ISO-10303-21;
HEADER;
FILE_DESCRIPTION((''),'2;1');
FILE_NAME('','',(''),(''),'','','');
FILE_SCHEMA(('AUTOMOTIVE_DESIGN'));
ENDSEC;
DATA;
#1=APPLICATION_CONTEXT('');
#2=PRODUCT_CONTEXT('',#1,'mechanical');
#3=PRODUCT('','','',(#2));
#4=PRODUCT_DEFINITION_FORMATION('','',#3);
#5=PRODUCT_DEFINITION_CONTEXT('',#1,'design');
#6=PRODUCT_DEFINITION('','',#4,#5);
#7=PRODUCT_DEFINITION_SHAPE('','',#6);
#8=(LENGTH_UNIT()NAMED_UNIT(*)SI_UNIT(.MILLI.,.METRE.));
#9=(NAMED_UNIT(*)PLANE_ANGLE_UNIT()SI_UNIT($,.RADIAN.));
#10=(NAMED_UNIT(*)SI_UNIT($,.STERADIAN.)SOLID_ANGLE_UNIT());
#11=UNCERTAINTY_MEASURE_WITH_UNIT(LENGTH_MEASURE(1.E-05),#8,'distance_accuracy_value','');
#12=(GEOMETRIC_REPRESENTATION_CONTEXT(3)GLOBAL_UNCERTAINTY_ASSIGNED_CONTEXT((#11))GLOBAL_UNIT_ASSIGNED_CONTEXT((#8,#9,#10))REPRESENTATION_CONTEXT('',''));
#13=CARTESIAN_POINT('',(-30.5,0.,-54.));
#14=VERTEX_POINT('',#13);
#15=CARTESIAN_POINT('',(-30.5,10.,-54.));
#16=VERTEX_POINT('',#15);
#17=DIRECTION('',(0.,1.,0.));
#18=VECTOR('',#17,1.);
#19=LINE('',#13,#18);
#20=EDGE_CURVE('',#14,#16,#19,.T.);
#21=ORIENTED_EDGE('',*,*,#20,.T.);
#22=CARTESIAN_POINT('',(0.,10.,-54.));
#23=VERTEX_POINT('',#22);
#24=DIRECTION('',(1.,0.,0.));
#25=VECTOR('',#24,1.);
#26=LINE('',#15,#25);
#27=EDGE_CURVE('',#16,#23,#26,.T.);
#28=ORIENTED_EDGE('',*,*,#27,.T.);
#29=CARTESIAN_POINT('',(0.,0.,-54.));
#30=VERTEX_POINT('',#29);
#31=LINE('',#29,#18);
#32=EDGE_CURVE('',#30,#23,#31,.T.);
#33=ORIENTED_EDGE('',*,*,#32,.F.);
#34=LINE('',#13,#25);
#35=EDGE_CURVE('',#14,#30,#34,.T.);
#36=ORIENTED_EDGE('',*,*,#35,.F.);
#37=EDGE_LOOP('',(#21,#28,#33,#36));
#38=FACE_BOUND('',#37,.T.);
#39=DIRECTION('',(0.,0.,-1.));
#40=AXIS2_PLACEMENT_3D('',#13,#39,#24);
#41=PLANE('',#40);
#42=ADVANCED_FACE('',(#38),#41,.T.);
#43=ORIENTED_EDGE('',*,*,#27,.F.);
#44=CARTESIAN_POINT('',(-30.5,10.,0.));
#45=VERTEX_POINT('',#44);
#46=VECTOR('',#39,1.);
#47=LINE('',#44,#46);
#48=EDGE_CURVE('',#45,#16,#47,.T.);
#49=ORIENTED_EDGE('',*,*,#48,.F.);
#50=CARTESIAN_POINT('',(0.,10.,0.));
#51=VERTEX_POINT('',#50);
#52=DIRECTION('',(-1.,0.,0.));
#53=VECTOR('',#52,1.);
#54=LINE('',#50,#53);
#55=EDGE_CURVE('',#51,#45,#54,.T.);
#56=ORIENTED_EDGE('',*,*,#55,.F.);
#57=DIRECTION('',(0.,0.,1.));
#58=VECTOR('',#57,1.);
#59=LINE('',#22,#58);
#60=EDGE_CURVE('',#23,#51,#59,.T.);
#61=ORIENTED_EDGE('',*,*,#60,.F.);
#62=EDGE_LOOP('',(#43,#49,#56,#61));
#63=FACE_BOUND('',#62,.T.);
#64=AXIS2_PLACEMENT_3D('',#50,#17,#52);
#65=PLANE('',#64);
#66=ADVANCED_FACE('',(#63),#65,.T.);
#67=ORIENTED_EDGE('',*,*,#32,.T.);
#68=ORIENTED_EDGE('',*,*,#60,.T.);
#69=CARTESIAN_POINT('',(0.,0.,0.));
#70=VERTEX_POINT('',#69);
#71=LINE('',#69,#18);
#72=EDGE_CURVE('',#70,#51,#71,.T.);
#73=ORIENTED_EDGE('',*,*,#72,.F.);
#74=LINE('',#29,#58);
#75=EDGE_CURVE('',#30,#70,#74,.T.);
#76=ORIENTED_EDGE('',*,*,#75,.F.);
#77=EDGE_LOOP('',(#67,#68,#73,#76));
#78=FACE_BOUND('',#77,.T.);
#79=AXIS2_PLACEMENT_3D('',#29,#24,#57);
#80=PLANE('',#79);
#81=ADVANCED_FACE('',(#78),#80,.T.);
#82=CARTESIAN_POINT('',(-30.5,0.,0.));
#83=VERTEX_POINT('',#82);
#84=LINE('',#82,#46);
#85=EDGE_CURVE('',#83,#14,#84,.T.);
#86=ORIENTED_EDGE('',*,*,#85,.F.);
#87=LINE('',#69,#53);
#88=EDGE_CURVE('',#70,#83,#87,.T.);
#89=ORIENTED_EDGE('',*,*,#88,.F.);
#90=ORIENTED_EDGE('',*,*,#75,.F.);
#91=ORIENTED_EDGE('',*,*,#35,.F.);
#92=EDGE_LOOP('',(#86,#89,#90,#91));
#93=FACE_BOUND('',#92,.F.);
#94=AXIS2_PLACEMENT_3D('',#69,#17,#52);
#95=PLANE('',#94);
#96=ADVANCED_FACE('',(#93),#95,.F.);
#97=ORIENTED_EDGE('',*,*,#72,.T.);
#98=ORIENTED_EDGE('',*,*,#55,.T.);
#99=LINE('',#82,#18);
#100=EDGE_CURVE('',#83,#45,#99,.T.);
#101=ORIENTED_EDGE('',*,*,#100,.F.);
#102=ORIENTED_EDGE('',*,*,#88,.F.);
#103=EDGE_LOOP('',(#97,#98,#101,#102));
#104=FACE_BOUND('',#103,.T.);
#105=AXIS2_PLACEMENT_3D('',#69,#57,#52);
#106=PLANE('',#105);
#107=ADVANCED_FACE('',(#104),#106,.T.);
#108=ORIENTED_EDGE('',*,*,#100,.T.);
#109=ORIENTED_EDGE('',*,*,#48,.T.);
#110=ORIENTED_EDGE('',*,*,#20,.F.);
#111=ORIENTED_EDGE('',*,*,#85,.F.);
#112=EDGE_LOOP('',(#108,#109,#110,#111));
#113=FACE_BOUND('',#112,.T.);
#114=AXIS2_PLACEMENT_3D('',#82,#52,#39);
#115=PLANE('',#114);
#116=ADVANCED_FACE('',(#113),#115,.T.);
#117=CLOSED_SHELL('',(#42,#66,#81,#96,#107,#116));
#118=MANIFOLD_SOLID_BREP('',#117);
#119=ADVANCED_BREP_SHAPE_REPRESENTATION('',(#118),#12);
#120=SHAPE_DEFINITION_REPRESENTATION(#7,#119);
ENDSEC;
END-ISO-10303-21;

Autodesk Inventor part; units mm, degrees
ref_plane "YZ Plane" through (0, 0, 0) normal (1, 0, 0) x (0, 1, 0)
ref_plane "XZ Plane" through (0, 0, 0) normal (0, 1, 0) x (-1, 0, 0)
ref_plane "XY Plane" through (0, 0, 0) normal (0, 0, 1) x (1, 0, 0)
sketch "Sketch1" plane through (0, 0, 0) normal (0, 1, 0) x (-1, 0, 0)
  line L0 (0, 0) -> (30.5, 0)
  line L1 (30.5, 0) -> (30.5, -54)
  line L2 (30.5, -54) -> (0, -54)
  line L3 (0, -54) -> (0, 0)
  dimension "d0" = 30.5
  dimension "d1" = 54
extrude "Extrusion1" add sketch "Sketch1" along normal blind 10
properties part number "lipol_400mAh"
